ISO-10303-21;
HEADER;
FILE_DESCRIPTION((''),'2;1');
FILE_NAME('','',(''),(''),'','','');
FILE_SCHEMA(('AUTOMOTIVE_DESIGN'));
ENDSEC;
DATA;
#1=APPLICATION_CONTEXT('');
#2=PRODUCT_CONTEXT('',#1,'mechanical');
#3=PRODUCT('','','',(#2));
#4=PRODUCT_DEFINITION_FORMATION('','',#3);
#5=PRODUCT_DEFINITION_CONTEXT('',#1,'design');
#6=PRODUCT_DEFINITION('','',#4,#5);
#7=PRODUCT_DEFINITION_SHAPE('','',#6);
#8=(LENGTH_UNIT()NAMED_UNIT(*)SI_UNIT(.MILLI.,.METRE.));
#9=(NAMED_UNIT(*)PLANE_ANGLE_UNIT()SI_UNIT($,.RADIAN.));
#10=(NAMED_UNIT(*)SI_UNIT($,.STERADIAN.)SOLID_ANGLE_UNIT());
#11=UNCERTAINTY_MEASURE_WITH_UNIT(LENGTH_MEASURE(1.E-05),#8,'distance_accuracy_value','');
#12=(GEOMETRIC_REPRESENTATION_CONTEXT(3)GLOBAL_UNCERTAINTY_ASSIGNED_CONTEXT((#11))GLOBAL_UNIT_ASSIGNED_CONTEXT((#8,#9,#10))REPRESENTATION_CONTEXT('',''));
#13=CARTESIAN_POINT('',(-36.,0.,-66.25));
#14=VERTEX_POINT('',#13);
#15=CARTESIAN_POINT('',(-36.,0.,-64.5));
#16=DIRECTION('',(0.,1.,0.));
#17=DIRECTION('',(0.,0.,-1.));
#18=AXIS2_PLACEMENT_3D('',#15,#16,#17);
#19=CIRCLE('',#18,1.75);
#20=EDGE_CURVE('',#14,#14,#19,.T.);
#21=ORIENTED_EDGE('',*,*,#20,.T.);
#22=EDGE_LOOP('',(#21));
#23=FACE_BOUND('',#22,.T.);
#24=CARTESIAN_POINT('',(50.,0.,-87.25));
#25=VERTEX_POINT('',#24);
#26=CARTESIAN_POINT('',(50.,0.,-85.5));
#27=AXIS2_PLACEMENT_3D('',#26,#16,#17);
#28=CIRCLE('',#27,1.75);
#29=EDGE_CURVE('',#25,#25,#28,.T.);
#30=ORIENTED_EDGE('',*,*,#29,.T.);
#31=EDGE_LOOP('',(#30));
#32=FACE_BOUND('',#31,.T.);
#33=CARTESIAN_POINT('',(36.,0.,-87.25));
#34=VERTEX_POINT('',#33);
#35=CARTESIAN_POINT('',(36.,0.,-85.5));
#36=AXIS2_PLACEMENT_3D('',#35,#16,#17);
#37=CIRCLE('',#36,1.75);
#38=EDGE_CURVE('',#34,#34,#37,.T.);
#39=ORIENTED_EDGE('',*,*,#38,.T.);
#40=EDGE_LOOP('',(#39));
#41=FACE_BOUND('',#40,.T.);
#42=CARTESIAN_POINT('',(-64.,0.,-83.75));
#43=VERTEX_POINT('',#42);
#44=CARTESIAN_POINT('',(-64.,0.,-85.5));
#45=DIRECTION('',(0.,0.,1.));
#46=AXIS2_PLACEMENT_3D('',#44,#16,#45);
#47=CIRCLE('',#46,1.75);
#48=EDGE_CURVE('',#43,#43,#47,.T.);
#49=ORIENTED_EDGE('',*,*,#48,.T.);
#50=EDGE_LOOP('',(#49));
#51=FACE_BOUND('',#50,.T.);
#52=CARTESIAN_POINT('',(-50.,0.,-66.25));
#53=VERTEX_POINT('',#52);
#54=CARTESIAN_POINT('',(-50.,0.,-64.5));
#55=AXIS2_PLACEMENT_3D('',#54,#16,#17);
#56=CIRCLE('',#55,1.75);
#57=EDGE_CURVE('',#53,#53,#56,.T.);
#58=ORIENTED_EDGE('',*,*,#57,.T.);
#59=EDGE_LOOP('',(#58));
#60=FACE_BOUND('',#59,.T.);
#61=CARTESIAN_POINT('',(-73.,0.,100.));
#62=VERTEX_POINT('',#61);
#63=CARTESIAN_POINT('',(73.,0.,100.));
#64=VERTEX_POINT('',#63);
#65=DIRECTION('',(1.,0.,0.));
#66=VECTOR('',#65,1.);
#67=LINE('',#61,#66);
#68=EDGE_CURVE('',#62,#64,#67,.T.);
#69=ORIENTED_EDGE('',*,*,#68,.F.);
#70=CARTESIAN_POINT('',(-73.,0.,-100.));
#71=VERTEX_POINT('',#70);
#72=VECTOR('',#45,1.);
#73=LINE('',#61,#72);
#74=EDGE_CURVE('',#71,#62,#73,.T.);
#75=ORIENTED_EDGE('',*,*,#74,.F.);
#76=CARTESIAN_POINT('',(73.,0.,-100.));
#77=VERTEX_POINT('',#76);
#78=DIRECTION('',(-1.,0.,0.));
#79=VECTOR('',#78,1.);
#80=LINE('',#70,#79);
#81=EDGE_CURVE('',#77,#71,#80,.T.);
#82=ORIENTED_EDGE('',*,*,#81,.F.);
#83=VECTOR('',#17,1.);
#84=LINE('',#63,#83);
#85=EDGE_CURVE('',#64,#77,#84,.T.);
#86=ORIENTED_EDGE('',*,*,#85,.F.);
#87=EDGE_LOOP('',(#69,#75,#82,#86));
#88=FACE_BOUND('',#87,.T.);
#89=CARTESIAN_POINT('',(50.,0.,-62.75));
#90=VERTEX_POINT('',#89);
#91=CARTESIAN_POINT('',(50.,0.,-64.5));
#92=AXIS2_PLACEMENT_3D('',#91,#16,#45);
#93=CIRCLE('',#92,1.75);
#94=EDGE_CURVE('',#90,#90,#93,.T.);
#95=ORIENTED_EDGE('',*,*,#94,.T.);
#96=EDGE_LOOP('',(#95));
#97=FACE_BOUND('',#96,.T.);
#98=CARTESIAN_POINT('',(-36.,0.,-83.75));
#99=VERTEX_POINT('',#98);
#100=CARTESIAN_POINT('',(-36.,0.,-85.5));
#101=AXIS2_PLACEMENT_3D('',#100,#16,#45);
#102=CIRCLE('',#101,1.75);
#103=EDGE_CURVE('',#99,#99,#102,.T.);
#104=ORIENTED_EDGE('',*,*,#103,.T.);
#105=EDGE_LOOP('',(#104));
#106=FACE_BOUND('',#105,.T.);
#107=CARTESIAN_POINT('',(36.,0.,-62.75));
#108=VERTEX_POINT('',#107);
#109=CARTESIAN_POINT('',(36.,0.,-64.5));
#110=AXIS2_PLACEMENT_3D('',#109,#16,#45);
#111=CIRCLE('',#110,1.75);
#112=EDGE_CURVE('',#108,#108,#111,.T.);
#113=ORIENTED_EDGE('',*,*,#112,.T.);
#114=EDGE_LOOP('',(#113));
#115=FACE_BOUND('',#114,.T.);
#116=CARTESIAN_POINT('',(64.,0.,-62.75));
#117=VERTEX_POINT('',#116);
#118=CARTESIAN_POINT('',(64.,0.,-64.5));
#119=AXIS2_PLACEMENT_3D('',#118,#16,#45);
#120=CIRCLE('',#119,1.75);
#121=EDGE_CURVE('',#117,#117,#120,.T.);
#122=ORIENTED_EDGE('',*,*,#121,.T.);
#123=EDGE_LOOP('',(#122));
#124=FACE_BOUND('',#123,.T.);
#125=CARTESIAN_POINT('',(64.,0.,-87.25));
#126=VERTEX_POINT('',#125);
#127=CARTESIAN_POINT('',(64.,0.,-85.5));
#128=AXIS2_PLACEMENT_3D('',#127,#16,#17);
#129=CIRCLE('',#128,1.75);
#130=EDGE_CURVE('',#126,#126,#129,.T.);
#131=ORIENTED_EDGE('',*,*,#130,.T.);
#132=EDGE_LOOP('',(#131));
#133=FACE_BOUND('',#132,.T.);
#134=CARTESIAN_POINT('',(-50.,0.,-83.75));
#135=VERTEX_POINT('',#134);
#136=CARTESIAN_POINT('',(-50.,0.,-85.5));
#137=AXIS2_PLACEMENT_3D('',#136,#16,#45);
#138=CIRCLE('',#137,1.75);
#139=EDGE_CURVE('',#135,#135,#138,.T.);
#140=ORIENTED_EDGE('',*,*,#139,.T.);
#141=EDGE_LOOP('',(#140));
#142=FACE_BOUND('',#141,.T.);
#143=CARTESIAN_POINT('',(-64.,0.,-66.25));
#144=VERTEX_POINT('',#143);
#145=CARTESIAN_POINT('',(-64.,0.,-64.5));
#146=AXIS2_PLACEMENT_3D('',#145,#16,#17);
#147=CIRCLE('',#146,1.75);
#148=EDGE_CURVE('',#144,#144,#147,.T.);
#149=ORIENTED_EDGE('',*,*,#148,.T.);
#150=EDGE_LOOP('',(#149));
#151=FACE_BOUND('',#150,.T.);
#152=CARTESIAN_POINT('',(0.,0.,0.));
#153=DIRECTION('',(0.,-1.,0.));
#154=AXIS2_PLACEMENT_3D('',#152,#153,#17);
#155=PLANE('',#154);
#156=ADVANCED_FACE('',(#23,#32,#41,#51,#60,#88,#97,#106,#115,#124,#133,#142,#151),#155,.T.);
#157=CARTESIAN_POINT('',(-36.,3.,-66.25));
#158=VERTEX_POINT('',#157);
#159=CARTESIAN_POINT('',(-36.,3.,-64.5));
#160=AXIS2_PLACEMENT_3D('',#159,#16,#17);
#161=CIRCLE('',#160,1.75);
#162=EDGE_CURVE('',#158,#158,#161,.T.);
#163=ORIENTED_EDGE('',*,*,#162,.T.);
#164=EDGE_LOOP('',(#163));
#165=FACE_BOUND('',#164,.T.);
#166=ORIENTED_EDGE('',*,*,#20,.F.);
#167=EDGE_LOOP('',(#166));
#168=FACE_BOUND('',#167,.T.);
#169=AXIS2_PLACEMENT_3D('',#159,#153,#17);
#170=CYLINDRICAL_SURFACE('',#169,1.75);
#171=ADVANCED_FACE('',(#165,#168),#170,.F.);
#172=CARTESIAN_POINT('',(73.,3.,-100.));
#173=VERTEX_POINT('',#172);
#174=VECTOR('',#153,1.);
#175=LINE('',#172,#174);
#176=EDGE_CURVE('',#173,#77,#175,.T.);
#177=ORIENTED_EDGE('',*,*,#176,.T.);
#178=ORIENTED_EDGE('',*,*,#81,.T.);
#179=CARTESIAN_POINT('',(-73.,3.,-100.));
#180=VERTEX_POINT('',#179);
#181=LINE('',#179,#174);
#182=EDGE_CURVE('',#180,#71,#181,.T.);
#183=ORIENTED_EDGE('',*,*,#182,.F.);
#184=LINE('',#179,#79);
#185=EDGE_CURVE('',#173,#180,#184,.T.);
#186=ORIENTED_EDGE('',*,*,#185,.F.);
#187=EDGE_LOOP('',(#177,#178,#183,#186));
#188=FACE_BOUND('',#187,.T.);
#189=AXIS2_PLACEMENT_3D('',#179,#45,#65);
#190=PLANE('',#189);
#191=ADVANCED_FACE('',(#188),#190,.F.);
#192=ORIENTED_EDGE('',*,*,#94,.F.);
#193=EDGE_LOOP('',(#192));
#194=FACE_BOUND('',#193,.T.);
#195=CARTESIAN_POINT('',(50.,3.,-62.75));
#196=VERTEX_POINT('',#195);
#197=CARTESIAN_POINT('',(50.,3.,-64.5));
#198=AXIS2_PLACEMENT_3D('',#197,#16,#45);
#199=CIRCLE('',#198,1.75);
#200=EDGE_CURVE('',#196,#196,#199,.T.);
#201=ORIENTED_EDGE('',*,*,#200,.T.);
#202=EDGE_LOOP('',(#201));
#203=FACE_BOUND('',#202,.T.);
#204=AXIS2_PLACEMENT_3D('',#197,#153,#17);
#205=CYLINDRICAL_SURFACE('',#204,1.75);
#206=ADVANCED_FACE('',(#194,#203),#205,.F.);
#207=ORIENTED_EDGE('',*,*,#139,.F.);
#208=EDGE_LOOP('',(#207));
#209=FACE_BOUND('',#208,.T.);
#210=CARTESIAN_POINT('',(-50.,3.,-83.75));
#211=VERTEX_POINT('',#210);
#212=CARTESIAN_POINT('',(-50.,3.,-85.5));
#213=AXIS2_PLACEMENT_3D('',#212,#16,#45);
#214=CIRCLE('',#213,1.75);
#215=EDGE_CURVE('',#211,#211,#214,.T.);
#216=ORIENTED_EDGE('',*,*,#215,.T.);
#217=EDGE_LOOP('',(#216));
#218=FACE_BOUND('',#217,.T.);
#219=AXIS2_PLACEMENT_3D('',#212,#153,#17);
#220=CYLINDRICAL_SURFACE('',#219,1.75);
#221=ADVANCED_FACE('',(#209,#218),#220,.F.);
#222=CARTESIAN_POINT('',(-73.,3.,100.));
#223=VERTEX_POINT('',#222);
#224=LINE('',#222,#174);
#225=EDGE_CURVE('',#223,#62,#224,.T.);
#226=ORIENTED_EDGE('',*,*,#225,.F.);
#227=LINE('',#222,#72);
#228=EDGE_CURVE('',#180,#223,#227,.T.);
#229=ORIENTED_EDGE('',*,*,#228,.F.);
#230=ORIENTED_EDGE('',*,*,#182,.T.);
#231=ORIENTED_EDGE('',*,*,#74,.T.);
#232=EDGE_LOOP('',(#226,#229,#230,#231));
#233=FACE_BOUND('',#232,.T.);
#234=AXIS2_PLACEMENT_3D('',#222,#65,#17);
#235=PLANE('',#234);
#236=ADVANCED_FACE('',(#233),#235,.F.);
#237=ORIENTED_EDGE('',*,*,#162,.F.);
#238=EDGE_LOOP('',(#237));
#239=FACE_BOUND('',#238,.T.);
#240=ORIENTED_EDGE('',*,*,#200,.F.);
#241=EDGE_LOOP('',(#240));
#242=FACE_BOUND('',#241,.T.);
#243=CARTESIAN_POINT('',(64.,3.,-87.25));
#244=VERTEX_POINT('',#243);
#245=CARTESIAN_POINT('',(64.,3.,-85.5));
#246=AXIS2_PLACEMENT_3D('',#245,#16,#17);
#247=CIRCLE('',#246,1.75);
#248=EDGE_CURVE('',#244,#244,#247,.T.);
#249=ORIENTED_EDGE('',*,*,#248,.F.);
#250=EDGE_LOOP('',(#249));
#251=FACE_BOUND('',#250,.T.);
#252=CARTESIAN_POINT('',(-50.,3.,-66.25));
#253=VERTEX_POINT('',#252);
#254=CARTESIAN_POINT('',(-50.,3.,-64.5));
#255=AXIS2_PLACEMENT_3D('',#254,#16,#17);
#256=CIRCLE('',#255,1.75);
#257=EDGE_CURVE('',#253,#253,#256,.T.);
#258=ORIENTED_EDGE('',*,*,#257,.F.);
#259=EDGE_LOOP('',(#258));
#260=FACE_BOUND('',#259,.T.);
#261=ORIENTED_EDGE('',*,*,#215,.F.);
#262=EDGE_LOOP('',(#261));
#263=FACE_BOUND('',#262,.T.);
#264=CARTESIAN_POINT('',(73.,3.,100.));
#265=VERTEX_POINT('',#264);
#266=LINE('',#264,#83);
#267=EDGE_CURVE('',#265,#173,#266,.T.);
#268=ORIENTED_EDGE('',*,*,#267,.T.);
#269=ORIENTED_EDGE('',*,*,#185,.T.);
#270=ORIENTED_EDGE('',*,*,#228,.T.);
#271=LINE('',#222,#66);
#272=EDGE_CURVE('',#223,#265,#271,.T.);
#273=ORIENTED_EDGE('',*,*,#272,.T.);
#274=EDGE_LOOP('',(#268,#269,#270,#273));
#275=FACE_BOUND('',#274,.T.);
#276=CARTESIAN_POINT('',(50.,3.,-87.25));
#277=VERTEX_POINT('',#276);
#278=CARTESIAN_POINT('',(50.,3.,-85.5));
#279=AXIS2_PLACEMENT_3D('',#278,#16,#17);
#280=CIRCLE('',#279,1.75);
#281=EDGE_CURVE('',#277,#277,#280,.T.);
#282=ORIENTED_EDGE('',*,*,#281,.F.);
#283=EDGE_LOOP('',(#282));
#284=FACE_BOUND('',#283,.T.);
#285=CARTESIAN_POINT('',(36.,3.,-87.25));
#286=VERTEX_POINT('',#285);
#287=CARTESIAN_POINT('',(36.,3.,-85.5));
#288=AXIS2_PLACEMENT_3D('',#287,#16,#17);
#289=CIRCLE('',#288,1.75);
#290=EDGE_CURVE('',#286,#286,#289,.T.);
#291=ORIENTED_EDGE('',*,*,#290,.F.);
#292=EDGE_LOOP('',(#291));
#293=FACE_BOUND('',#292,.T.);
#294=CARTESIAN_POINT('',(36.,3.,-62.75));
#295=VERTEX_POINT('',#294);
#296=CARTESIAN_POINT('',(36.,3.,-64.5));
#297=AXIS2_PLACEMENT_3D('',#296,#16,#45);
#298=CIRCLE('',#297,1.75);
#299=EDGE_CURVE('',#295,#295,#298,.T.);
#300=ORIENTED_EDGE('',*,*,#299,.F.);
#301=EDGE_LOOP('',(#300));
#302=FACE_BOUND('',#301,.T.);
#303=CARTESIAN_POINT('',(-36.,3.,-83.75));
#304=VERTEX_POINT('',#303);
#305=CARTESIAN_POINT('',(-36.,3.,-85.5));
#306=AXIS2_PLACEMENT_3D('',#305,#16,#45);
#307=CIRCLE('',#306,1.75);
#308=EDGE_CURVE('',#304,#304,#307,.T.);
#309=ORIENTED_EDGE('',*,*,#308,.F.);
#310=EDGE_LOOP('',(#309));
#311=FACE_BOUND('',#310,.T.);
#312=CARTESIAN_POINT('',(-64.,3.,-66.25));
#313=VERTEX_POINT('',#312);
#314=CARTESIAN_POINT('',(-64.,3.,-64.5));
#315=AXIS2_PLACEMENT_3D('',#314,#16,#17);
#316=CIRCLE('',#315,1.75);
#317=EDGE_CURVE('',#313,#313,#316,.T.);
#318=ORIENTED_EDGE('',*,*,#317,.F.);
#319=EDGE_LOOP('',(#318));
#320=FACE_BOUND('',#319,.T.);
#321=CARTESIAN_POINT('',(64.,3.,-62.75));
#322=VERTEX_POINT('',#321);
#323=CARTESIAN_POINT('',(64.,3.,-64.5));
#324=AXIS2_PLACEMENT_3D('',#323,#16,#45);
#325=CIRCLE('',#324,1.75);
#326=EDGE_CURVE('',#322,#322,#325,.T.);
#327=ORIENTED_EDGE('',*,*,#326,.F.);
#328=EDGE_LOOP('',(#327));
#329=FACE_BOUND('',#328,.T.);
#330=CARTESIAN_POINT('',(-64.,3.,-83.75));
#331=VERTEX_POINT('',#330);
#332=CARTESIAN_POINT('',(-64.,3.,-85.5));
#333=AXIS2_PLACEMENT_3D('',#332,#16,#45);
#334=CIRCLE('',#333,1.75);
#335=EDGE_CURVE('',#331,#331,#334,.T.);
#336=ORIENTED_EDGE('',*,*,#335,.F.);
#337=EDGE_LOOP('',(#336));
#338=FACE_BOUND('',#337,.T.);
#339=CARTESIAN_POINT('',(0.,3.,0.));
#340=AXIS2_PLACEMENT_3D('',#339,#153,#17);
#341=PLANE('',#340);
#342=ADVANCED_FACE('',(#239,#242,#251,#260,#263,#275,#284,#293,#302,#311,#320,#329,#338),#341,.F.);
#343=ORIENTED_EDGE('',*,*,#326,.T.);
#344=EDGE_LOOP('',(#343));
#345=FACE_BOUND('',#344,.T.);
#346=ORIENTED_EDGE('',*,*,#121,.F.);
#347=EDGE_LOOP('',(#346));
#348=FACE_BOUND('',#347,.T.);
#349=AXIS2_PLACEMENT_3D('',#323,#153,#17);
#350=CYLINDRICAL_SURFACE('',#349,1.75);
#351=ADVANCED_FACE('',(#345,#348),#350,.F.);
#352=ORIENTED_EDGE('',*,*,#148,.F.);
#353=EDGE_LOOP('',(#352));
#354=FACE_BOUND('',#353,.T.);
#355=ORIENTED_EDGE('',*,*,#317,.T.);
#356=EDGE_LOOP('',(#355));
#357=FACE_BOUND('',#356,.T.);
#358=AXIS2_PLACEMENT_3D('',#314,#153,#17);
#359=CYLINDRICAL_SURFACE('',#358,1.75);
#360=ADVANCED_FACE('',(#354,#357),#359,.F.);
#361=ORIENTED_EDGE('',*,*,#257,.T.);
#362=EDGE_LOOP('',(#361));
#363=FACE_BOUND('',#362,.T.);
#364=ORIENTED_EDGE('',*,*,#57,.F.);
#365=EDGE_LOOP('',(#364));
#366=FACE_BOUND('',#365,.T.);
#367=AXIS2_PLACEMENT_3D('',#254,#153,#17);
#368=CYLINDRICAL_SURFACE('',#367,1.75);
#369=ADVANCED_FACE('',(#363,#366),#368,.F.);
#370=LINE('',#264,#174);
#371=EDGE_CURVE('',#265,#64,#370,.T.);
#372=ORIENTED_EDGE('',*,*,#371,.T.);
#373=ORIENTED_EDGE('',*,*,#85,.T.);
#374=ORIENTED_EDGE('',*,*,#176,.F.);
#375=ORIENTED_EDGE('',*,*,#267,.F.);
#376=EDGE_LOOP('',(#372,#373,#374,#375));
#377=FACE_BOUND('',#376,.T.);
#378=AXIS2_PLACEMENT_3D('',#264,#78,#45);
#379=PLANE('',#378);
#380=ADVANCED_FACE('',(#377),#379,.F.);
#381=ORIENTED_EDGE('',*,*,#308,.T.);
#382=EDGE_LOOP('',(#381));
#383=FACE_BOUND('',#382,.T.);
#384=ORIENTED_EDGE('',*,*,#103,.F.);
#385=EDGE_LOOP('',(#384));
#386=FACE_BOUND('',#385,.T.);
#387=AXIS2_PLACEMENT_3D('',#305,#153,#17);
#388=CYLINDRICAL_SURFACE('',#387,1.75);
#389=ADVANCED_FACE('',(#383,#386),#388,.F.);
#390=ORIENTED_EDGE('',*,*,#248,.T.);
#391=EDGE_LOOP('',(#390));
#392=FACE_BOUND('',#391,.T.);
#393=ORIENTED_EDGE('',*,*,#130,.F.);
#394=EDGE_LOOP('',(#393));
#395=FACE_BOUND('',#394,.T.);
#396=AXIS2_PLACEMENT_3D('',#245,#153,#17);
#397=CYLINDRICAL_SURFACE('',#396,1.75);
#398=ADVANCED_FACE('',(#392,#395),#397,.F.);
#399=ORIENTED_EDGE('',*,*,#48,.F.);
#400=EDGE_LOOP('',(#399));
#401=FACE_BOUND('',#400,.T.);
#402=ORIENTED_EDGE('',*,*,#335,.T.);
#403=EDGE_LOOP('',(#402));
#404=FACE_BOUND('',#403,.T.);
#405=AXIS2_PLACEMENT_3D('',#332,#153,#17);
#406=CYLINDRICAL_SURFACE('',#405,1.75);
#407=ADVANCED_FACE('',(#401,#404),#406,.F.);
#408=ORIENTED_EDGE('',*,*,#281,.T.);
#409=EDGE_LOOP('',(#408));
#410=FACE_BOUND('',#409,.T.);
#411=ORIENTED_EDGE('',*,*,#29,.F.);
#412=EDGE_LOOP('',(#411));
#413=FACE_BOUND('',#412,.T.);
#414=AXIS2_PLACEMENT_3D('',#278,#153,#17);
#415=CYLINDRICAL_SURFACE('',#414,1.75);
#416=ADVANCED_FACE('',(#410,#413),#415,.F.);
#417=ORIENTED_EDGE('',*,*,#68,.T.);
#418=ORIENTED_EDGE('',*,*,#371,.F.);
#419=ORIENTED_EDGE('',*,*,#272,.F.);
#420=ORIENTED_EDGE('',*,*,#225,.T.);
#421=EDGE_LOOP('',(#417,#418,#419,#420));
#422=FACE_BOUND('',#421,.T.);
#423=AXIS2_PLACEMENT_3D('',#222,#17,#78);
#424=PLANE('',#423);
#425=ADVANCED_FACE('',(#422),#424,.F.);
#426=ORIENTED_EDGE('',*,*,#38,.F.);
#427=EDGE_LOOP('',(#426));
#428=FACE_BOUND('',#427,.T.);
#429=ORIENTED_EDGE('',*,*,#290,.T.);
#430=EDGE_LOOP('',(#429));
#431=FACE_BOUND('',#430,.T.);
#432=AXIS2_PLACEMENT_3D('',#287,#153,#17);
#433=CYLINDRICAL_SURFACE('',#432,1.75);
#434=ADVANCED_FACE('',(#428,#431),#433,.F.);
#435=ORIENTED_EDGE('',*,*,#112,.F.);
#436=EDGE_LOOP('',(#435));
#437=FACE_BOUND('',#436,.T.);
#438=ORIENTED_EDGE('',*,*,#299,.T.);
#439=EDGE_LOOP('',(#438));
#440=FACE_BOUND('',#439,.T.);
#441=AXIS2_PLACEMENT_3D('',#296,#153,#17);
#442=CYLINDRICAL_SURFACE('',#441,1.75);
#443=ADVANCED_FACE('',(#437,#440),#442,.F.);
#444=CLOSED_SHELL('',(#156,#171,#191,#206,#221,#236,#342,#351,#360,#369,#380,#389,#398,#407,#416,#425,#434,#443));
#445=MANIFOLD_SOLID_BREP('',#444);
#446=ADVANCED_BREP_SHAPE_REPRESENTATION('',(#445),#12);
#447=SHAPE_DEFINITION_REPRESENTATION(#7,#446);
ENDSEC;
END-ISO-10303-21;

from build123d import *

# Parameters (mm, degrees)
SKETCH1_W           = 146
SKETCH1_H           = 200
SKETCH1_R           = 1.75
BOSS_EXTRUDE1_DEPTH = 3


with BuildPart() as part:
    # Sketch1 → Boss-Extrude1 (new body)
    with BuildSketch(Plane(origin=(0, 0, 0), x_dir=(1, 0, 0), z_dir=(0, 1, 0))):
        Rectangle(SKETCH1_W, SKETCH1_H)
        with Locations(Location((-64, 85.5, 0), (0, 0, 270))):
            Circle(SKETCH1_R, mode=Mode.SUBTRACT)
        with Locations(Location((-64, 64.5, 0), (0, 0, 90))):
            Circle(SKETCH1_R, mode=Mode.SUBTRACT)
        with Locations(Location((-50, 85.5, 0), (0, 0, 270))):
            Circle(SKETCH1_R, mode=Mode.SUBTRACT)
        with Locations(Location((-50, 64.5, 0), (0, 0, 90))):
            Circle(SKETCH1_R, mode=Mode.SUBTRACT)
        with Locations(Location((-36, 85.5, 0), (0, 0, 270))):
            Circle(SKETCH1_R, mode=Mode.SUBTRACT)
        with Locations(Location((-36, 64.5, 0), (0, 0, 90))):
            Circle(SKETCH1_R, mode=Mode.SUBTRACT)
        with Locations(Location((36, 64.5, 0), (0, 0, 270))):
            Circle(SKETCH1_R, mode=Mode.SUBTRACT)
        with Locations(Location((36, 85.5, 0), (0, 0, 90))):
            Circle(SKETCH1_R, mode=Mode.SUBTRACT)
        with Locations(Location((50, 64.5, 0), (0, 0, 270))):
            Circle(SKETCH1_R, mode=Mode.SUBTRACT)
        with Locations(Location((50, 85.5, 0), (0, 0, 90))):
            Circle(SKETCH1_R, mode=Mode.SUBTRACT)
        with Locations(Location((64, 64.5, 0), (0, 0, 270))):
            Circle(SKETCH1_R, mode=Mode.SUBTRACT)
        with Locations(Location((64, 85.5, 0), (0, 0, 90))):
            Circle(SKETCH1_R, mode=Mode.SUBTRACT)
    extrude(amount=BOSS_EXTRUDE1_DEPTH)


solid = part.part
